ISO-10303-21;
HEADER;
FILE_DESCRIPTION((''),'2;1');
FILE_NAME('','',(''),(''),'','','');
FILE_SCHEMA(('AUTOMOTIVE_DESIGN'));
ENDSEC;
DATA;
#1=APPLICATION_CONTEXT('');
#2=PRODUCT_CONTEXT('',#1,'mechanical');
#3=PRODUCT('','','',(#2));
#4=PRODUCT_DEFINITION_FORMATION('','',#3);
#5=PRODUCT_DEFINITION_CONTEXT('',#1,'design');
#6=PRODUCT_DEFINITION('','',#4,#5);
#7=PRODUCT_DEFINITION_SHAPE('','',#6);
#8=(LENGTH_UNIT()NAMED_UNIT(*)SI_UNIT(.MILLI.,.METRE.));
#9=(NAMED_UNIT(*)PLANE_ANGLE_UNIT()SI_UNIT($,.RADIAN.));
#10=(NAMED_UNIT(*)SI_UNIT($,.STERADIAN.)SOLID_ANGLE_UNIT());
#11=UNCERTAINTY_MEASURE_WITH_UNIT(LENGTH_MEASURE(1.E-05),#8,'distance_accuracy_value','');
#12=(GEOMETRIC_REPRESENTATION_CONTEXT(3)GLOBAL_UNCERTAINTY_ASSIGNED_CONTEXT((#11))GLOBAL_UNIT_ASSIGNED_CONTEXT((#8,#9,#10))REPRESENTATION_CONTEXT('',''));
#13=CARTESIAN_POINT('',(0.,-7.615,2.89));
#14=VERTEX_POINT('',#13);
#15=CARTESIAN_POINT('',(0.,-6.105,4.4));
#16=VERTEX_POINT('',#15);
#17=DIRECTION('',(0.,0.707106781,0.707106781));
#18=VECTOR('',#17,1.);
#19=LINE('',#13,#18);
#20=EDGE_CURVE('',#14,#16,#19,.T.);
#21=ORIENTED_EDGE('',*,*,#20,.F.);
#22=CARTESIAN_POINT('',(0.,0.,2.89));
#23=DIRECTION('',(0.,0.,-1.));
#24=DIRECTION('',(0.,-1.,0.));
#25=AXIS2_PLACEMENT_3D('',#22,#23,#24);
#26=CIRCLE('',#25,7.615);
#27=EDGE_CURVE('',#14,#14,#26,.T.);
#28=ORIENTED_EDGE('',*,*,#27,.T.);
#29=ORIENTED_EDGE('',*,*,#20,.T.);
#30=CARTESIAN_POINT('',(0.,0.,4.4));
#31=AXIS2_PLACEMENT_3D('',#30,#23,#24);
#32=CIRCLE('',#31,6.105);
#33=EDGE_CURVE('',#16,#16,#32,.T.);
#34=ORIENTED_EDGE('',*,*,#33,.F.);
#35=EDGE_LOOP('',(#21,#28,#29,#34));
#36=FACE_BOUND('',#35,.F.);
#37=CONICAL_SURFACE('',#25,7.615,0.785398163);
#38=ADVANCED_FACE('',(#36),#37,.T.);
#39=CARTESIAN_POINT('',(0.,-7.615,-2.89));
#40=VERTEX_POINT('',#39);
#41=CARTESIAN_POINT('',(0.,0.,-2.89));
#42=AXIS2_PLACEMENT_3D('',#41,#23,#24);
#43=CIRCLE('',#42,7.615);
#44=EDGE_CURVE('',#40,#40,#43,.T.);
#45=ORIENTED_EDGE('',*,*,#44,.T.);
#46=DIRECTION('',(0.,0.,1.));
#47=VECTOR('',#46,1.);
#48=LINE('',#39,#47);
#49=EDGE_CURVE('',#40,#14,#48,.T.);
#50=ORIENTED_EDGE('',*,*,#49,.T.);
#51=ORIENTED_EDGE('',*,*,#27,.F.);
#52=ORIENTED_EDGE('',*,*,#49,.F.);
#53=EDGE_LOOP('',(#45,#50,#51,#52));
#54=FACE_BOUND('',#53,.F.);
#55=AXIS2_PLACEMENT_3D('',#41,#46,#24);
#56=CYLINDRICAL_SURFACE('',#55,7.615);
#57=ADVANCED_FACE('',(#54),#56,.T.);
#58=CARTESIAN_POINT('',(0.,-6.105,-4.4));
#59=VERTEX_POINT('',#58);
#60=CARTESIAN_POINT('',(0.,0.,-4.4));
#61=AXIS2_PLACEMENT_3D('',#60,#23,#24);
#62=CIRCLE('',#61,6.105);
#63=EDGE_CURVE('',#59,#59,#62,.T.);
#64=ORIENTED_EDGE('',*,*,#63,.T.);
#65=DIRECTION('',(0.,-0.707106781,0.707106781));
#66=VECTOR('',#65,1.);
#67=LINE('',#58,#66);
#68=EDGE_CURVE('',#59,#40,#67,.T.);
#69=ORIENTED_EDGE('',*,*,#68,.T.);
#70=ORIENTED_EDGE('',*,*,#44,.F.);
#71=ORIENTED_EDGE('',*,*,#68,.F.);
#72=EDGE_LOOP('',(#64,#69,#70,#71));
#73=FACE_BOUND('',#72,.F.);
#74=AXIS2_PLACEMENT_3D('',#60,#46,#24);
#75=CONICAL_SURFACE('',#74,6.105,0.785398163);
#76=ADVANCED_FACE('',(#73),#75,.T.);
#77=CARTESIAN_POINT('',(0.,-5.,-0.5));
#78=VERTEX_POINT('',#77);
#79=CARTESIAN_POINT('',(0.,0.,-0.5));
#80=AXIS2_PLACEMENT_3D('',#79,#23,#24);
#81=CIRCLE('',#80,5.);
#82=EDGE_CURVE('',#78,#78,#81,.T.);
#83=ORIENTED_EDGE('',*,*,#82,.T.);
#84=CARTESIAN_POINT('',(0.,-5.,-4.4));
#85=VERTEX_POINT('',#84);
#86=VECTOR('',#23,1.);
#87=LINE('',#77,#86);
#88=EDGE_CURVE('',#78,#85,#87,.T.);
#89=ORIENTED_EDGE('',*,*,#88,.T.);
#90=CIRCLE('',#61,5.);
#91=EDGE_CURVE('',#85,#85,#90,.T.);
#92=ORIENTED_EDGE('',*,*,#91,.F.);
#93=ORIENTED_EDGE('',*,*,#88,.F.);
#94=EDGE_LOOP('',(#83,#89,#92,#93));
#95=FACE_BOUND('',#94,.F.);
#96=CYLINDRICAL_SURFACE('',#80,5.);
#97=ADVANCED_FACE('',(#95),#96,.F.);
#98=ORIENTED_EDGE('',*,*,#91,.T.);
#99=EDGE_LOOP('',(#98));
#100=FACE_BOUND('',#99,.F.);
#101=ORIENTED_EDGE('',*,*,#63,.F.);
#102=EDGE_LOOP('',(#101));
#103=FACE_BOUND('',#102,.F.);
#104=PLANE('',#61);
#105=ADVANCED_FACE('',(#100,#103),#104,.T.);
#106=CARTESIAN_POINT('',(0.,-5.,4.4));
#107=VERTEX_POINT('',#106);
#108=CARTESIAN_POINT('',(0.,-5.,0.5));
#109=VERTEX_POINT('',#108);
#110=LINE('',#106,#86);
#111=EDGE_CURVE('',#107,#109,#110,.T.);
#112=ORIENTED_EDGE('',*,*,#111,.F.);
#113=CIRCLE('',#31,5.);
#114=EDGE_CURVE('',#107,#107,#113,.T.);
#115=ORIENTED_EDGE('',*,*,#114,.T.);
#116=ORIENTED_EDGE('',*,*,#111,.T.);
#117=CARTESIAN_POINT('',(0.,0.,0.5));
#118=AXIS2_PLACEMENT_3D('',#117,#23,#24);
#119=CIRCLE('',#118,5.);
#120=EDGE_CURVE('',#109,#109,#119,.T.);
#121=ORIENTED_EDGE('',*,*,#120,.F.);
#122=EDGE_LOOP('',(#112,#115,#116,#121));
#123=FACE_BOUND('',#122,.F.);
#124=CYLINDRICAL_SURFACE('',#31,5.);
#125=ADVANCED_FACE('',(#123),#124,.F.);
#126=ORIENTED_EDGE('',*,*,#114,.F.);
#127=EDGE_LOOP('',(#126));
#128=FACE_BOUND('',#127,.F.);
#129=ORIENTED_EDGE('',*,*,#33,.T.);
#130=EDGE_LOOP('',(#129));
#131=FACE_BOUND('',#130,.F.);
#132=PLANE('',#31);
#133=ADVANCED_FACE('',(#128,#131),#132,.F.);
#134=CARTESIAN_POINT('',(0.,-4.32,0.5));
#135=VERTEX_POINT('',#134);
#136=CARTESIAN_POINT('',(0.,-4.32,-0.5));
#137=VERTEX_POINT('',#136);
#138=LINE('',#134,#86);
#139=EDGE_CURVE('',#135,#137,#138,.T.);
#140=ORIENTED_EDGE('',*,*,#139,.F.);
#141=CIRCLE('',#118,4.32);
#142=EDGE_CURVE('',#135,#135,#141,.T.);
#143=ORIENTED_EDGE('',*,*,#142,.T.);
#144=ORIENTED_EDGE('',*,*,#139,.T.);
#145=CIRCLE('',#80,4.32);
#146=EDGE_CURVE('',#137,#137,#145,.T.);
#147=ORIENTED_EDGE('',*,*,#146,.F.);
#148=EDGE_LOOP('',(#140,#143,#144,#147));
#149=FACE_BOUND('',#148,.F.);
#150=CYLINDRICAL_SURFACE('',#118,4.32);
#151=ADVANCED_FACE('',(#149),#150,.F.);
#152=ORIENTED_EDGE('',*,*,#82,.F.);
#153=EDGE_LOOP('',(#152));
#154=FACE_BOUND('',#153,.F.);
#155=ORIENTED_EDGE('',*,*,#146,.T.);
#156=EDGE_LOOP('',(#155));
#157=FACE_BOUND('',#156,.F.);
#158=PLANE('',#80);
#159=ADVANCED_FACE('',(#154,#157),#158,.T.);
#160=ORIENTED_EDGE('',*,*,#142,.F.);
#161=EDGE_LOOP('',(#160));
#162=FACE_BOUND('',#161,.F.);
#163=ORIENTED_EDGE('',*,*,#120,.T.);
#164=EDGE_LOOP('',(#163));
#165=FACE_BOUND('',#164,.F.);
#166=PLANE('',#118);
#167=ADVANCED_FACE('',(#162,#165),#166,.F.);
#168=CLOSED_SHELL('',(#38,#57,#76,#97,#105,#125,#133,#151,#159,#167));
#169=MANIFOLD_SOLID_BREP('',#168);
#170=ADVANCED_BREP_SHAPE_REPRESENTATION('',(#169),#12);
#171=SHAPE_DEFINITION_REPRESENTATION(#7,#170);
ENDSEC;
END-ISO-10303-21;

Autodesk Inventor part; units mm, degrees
ref_plane "YZ Plane" through (0, 0, 0) normal (1, 0, 0) x (0, 1, 0)
ref_plane "XZ Plane" through (0, 0, 0) normal (0, 1, 0) x (-1, 0, 0)
ref_plane "XY Plane" through (0, 0, 0) normal (0, 0, 1) x (1, 0, 0)
sketch "Sketch1" plane through (0, 0, 0) normal (1, 0, 0) x (0, 1, 0)
  line L0 (-5, 0.5) -> (-4.32, 0.5)
  line L1 (-4.32, 0.5) -> (-4.32, -0.5)
  line L2 (-4.32, -0.5) -> (-5, -0.5)
  line L3 (-5, -0.5) -> (-5, -4.4)
  line L4 (-5, -4.4) -> (-6.105, -4.4)
  line L5 (-6.105, -4.4) -> (-7.615, -2.89)
  line L6 (-7.615, -2.89) -> (-7.615, 2.89)
  line L7 (-7.615, 2.89) -> (-6.105, 4.4)
  line L8 (-6.105, 4.4) -> (-5, 4.4)
  line L9 (-5, 4.4) -> (-5, 0.5)
  line L10 (0, 5.0853) -> (0, -4.725)
  point P0 (0, 0)
  point P1 (-4.32, 0)
  dimension "d0" = 2.615
  dimension "d1" = 8.8
  dimension "d2" = 5.78
  dimension "d3" = 135
  dimension "d4" = 1.105
  dimension "d6" = 1
  dimension "d7" = 0.68
  dimension "d8" = 3.9
  dimension "d9" = 10
revolve "Revolution1" add sketch "Sketch1" angle 360 about axis through (0, 0, 5.0853) along (0, 0, -1)
properties part number "Xtreme Mini V Wheel" material "Rubber, Silicone"
